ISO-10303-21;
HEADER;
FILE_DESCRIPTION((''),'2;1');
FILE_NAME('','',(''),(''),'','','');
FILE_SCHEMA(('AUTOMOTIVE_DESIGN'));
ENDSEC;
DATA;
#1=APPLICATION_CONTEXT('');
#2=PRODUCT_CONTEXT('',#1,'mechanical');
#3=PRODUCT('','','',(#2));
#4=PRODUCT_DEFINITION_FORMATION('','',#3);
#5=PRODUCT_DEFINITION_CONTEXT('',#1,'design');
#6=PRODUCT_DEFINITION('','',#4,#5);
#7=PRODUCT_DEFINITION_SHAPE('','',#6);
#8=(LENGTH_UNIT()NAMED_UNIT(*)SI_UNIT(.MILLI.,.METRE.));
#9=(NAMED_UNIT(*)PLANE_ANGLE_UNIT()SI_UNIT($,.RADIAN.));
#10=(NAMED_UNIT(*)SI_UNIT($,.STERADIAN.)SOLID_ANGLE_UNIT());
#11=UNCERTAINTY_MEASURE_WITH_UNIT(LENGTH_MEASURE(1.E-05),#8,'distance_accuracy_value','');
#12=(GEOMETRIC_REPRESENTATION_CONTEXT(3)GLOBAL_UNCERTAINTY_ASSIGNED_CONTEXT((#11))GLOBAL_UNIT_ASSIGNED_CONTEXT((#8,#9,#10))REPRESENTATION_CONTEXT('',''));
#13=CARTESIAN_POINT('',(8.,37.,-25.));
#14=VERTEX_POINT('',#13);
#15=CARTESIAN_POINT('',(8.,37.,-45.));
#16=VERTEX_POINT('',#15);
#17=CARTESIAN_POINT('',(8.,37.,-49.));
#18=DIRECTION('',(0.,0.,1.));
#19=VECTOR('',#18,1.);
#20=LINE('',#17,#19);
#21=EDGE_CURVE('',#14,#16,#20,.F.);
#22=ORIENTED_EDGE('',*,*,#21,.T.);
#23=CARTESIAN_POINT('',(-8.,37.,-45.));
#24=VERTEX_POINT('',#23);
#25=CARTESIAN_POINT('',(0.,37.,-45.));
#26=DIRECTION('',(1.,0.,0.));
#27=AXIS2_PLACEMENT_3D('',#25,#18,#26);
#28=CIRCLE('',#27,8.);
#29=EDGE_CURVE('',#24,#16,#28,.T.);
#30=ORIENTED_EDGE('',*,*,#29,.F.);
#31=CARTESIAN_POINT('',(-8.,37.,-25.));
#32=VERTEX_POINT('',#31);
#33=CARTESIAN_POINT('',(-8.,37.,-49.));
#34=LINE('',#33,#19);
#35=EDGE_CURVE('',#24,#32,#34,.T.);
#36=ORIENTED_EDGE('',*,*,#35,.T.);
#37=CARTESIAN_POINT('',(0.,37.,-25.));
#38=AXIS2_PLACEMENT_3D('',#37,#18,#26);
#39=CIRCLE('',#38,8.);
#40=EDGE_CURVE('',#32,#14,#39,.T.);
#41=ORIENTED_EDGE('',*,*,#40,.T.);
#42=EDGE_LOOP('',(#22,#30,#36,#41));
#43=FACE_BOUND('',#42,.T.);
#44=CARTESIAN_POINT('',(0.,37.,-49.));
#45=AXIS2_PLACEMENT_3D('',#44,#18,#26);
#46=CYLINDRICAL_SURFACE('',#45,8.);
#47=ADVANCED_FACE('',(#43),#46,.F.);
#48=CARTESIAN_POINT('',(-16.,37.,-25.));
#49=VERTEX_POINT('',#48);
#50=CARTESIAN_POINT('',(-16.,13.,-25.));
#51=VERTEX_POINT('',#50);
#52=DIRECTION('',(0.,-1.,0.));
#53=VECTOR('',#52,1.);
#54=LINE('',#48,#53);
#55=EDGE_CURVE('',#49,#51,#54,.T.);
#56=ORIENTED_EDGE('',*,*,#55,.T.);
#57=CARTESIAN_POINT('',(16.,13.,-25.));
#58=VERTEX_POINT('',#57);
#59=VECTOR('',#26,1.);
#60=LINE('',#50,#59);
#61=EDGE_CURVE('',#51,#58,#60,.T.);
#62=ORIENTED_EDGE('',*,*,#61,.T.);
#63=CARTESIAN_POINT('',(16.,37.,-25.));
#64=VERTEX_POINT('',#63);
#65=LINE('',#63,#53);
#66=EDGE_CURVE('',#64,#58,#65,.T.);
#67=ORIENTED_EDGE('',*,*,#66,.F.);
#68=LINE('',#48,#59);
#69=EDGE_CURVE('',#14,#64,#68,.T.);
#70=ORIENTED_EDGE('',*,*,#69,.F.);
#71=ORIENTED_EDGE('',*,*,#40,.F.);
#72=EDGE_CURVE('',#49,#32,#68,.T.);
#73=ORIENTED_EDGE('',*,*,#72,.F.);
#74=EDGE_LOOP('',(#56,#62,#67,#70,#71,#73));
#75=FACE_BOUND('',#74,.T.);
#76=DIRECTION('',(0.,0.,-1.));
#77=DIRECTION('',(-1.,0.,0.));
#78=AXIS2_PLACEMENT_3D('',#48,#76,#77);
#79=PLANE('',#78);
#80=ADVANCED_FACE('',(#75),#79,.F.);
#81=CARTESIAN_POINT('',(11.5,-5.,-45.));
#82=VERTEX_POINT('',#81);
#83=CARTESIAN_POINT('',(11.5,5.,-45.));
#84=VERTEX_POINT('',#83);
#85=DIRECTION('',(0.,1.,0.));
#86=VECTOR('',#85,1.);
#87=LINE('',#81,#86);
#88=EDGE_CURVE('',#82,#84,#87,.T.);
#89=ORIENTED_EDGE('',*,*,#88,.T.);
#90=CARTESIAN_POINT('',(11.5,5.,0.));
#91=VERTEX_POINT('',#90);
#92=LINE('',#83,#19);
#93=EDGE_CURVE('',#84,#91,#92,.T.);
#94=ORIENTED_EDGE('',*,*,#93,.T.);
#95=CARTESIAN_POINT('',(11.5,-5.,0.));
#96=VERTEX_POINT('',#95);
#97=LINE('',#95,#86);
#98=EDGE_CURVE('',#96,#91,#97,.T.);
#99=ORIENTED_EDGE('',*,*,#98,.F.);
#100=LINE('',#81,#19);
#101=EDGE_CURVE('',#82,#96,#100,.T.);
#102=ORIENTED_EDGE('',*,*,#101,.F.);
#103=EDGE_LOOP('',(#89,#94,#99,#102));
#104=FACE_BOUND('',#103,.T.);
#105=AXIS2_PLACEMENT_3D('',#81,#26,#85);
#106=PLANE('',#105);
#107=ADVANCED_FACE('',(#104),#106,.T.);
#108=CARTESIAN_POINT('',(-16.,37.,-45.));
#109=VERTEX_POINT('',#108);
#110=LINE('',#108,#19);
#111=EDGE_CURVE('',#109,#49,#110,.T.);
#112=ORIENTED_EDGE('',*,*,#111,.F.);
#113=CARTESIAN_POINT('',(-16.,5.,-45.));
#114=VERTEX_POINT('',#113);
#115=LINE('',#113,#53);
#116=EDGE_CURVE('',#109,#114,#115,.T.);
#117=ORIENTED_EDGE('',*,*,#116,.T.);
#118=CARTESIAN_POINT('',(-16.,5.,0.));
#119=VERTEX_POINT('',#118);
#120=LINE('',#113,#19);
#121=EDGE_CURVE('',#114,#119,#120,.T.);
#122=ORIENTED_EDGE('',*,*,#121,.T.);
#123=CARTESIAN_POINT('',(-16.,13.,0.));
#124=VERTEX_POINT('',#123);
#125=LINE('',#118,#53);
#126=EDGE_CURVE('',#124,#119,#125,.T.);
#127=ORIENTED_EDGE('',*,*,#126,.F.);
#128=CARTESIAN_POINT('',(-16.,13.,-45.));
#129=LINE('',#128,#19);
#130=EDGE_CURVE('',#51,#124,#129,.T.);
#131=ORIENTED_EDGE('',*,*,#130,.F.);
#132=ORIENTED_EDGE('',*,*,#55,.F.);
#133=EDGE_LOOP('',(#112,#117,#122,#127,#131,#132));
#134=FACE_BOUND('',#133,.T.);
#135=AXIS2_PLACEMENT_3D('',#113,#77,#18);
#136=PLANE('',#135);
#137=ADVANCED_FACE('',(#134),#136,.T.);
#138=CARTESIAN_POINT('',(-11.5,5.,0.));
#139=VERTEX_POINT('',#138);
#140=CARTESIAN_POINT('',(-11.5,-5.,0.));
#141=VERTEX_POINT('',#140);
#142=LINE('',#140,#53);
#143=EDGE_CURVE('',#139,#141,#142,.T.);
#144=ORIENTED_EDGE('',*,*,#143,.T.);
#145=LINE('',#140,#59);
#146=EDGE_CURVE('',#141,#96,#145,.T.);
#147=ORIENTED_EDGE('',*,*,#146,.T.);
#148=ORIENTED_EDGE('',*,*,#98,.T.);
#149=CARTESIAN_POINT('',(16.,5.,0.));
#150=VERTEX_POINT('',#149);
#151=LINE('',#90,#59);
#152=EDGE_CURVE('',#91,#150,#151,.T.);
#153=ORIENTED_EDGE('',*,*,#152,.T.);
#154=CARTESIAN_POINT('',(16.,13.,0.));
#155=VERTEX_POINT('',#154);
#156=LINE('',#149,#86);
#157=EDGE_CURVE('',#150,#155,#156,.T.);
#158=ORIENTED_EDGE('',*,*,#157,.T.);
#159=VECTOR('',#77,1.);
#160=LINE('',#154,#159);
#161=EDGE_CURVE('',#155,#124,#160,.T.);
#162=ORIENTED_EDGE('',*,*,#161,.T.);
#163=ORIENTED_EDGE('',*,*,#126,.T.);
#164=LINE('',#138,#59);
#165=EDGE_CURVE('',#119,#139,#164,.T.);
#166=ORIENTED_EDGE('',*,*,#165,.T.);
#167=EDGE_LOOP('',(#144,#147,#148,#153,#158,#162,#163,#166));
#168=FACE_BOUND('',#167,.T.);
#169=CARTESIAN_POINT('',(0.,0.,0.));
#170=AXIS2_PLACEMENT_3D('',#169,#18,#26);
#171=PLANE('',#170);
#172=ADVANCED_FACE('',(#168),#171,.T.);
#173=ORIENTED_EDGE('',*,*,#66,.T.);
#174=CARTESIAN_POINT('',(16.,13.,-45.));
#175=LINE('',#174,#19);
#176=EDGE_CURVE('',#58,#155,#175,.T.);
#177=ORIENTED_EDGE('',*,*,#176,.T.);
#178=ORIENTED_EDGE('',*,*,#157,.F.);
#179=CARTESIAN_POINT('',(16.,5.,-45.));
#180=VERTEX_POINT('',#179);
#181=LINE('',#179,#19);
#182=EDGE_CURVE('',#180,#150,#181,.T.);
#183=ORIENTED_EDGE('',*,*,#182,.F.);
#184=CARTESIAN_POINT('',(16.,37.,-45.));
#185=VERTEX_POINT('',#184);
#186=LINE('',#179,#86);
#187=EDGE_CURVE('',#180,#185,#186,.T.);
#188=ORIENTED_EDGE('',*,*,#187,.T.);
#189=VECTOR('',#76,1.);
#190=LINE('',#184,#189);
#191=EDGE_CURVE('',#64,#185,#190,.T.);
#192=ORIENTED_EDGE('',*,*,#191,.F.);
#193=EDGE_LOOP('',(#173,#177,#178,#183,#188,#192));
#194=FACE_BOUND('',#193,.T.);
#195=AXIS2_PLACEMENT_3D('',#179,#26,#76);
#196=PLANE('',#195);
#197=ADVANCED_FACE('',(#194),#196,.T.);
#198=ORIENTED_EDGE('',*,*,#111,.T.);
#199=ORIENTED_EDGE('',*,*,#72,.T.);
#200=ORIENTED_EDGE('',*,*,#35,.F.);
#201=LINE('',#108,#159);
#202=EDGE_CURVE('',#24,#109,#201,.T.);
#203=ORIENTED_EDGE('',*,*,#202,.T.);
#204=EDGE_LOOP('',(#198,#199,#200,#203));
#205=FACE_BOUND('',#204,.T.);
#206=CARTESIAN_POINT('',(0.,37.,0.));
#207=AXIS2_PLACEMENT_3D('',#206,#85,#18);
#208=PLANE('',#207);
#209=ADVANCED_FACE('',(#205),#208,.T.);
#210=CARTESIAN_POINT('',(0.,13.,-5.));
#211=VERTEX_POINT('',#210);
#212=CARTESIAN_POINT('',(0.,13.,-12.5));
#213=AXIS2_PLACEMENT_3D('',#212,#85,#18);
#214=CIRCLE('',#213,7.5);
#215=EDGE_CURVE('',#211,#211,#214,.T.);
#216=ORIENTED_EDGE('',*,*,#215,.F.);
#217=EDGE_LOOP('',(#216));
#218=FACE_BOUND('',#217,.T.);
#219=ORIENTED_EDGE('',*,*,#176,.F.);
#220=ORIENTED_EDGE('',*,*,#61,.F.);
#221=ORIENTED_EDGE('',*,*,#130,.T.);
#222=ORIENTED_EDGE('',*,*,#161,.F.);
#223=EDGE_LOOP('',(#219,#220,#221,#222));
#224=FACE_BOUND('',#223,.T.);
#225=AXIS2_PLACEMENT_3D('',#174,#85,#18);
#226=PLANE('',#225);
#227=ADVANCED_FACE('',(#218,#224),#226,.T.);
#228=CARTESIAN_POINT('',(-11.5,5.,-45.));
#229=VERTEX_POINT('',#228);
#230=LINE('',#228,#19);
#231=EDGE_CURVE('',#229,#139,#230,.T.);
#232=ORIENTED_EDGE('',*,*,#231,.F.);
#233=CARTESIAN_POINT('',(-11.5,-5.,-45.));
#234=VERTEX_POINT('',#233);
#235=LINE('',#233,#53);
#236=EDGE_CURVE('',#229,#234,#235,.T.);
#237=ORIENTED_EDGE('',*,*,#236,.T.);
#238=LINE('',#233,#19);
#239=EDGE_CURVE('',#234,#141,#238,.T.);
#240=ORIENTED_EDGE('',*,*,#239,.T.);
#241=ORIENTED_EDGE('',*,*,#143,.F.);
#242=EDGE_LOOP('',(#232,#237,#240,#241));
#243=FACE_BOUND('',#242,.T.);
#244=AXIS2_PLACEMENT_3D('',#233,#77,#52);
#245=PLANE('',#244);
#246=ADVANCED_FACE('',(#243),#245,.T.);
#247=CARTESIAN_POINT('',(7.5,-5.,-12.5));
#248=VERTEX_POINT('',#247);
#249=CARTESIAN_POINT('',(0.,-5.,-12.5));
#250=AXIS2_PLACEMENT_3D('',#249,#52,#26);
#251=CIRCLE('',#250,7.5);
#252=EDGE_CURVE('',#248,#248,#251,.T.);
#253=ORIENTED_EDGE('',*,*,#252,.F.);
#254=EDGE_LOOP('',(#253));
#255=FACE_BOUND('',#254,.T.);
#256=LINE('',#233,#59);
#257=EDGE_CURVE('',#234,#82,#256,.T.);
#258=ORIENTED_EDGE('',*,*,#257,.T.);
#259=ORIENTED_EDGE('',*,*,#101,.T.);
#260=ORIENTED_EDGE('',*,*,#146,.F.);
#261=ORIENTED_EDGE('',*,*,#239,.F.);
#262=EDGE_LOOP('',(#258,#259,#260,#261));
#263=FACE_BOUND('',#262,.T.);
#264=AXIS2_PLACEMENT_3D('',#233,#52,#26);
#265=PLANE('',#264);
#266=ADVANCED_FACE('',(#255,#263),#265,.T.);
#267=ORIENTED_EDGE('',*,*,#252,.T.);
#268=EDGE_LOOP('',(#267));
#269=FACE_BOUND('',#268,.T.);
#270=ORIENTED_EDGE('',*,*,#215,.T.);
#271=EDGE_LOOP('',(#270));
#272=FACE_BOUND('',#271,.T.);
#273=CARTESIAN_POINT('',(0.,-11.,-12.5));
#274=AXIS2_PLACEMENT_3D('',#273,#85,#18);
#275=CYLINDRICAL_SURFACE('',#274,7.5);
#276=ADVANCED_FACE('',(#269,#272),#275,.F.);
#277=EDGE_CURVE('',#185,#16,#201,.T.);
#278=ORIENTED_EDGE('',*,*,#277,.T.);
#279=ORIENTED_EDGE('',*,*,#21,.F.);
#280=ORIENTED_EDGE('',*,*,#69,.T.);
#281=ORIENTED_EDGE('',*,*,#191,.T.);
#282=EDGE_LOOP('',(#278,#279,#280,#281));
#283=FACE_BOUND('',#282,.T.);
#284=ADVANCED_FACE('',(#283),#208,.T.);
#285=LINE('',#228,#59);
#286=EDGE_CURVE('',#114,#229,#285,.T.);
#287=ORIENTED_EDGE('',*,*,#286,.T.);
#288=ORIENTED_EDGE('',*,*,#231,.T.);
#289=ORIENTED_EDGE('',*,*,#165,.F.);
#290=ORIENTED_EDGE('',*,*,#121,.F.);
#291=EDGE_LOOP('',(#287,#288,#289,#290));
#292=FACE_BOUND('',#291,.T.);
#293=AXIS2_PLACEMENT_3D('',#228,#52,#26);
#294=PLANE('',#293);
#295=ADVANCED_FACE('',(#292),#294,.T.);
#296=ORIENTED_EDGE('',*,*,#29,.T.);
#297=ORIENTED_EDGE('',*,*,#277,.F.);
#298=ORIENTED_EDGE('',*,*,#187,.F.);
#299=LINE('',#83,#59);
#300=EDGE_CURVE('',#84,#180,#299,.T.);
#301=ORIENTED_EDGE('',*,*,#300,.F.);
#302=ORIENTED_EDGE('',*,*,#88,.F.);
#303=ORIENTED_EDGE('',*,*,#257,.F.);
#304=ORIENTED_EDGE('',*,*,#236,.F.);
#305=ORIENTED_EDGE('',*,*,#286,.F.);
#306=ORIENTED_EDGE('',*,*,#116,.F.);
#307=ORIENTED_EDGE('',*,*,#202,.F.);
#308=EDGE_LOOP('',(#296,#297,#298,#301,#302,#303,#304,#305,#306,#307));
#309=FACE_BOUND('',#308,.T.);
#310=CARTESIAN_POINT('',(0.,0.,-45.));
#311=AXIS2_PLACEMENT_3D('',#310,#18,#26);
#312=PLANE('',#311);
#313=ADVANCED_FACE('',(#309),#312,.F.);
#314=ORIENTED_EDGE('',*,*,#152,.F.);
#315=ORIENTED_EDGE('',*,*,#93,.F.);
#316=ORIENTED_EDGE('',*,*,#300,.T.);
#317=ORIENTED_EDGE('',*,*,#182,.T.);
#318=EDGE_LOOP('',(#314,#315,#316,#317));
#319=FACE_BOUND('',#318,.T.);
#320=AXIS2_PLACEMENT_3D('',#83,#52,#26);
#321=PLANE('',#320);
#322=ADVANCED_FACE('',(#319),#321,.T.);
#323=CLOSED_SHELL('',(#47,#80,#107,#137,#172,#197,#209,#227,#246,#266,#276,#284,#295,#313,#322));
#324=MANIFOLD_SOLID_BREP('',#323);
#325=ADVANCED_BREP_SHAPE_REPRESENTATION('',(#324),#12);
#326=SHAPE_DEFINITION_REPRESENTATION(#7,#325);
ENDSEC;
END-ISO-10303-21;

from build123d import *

# Parameters (mm, degrees)
EXTRUDE_1_DEPTH     = 45
SKETCH_2_R          = 7.5
CUT_EXTRUDE_2_DEPTH = 24
SKETCH_3_W          = 32
SKETCH_3_H          = 20
EXTRUDE_4_DEPTH     = 24
SKETCH_4_R          = 8
CUT_EXTRUDE_3_DEPTH = 24


with BuildPart() as part:
    # 草图1 → 凸台-拉伸1 (new body)
    with BuildSketch(Plane.XY):
        Polygon((-11.5, -5), (11.5, -5), (11.5, 5), (16, 5), (16, 13), (-16, 13), (-16, 5), (-11.5, 5), align=None)
    extrude(amount=-EXTRUDE_1_DEPTH)

    # 草图2 → 切除-拉伸2 (cut)
    with BuildSketch(Plane(origin=(0, 13, 0), x_dir=(1, 0, 0), z_dir=(0, 1, 0))):
        with Locations(Location((0, 12.5, 0), (0, 0, 270))):
            Circle(SKETCH_2_R)
    extrude(amount=-CUT_EXTRUDE_2_DEPTH, mode=Mode.SUBTRACT)

    # 草图3 → 凸台-拉伸4 (add)
    with BuildSketch(Plane(origin=(0, 13, 0), x_dir=(1, 0, 0), z_dir=(0, 1, 0))):
        with Locations((0, 35)):
            Rectangle(SKETCH_3_W, SKETCH_3_H)
    extrude(amount=EXTRUDE_4_DEPTH)

    # 草图4 → 切除-拉伸3 (cut)
    with BuildSketch(Plane.XY.offset(-25)):
        with Locations((0, 37)):
            Circle(SKETCH_4_R)
    extrude(amount=-CUT_EXTRUDE_3_DEPTH, mode=Mode.SUBTRACT)


solid = part.part
